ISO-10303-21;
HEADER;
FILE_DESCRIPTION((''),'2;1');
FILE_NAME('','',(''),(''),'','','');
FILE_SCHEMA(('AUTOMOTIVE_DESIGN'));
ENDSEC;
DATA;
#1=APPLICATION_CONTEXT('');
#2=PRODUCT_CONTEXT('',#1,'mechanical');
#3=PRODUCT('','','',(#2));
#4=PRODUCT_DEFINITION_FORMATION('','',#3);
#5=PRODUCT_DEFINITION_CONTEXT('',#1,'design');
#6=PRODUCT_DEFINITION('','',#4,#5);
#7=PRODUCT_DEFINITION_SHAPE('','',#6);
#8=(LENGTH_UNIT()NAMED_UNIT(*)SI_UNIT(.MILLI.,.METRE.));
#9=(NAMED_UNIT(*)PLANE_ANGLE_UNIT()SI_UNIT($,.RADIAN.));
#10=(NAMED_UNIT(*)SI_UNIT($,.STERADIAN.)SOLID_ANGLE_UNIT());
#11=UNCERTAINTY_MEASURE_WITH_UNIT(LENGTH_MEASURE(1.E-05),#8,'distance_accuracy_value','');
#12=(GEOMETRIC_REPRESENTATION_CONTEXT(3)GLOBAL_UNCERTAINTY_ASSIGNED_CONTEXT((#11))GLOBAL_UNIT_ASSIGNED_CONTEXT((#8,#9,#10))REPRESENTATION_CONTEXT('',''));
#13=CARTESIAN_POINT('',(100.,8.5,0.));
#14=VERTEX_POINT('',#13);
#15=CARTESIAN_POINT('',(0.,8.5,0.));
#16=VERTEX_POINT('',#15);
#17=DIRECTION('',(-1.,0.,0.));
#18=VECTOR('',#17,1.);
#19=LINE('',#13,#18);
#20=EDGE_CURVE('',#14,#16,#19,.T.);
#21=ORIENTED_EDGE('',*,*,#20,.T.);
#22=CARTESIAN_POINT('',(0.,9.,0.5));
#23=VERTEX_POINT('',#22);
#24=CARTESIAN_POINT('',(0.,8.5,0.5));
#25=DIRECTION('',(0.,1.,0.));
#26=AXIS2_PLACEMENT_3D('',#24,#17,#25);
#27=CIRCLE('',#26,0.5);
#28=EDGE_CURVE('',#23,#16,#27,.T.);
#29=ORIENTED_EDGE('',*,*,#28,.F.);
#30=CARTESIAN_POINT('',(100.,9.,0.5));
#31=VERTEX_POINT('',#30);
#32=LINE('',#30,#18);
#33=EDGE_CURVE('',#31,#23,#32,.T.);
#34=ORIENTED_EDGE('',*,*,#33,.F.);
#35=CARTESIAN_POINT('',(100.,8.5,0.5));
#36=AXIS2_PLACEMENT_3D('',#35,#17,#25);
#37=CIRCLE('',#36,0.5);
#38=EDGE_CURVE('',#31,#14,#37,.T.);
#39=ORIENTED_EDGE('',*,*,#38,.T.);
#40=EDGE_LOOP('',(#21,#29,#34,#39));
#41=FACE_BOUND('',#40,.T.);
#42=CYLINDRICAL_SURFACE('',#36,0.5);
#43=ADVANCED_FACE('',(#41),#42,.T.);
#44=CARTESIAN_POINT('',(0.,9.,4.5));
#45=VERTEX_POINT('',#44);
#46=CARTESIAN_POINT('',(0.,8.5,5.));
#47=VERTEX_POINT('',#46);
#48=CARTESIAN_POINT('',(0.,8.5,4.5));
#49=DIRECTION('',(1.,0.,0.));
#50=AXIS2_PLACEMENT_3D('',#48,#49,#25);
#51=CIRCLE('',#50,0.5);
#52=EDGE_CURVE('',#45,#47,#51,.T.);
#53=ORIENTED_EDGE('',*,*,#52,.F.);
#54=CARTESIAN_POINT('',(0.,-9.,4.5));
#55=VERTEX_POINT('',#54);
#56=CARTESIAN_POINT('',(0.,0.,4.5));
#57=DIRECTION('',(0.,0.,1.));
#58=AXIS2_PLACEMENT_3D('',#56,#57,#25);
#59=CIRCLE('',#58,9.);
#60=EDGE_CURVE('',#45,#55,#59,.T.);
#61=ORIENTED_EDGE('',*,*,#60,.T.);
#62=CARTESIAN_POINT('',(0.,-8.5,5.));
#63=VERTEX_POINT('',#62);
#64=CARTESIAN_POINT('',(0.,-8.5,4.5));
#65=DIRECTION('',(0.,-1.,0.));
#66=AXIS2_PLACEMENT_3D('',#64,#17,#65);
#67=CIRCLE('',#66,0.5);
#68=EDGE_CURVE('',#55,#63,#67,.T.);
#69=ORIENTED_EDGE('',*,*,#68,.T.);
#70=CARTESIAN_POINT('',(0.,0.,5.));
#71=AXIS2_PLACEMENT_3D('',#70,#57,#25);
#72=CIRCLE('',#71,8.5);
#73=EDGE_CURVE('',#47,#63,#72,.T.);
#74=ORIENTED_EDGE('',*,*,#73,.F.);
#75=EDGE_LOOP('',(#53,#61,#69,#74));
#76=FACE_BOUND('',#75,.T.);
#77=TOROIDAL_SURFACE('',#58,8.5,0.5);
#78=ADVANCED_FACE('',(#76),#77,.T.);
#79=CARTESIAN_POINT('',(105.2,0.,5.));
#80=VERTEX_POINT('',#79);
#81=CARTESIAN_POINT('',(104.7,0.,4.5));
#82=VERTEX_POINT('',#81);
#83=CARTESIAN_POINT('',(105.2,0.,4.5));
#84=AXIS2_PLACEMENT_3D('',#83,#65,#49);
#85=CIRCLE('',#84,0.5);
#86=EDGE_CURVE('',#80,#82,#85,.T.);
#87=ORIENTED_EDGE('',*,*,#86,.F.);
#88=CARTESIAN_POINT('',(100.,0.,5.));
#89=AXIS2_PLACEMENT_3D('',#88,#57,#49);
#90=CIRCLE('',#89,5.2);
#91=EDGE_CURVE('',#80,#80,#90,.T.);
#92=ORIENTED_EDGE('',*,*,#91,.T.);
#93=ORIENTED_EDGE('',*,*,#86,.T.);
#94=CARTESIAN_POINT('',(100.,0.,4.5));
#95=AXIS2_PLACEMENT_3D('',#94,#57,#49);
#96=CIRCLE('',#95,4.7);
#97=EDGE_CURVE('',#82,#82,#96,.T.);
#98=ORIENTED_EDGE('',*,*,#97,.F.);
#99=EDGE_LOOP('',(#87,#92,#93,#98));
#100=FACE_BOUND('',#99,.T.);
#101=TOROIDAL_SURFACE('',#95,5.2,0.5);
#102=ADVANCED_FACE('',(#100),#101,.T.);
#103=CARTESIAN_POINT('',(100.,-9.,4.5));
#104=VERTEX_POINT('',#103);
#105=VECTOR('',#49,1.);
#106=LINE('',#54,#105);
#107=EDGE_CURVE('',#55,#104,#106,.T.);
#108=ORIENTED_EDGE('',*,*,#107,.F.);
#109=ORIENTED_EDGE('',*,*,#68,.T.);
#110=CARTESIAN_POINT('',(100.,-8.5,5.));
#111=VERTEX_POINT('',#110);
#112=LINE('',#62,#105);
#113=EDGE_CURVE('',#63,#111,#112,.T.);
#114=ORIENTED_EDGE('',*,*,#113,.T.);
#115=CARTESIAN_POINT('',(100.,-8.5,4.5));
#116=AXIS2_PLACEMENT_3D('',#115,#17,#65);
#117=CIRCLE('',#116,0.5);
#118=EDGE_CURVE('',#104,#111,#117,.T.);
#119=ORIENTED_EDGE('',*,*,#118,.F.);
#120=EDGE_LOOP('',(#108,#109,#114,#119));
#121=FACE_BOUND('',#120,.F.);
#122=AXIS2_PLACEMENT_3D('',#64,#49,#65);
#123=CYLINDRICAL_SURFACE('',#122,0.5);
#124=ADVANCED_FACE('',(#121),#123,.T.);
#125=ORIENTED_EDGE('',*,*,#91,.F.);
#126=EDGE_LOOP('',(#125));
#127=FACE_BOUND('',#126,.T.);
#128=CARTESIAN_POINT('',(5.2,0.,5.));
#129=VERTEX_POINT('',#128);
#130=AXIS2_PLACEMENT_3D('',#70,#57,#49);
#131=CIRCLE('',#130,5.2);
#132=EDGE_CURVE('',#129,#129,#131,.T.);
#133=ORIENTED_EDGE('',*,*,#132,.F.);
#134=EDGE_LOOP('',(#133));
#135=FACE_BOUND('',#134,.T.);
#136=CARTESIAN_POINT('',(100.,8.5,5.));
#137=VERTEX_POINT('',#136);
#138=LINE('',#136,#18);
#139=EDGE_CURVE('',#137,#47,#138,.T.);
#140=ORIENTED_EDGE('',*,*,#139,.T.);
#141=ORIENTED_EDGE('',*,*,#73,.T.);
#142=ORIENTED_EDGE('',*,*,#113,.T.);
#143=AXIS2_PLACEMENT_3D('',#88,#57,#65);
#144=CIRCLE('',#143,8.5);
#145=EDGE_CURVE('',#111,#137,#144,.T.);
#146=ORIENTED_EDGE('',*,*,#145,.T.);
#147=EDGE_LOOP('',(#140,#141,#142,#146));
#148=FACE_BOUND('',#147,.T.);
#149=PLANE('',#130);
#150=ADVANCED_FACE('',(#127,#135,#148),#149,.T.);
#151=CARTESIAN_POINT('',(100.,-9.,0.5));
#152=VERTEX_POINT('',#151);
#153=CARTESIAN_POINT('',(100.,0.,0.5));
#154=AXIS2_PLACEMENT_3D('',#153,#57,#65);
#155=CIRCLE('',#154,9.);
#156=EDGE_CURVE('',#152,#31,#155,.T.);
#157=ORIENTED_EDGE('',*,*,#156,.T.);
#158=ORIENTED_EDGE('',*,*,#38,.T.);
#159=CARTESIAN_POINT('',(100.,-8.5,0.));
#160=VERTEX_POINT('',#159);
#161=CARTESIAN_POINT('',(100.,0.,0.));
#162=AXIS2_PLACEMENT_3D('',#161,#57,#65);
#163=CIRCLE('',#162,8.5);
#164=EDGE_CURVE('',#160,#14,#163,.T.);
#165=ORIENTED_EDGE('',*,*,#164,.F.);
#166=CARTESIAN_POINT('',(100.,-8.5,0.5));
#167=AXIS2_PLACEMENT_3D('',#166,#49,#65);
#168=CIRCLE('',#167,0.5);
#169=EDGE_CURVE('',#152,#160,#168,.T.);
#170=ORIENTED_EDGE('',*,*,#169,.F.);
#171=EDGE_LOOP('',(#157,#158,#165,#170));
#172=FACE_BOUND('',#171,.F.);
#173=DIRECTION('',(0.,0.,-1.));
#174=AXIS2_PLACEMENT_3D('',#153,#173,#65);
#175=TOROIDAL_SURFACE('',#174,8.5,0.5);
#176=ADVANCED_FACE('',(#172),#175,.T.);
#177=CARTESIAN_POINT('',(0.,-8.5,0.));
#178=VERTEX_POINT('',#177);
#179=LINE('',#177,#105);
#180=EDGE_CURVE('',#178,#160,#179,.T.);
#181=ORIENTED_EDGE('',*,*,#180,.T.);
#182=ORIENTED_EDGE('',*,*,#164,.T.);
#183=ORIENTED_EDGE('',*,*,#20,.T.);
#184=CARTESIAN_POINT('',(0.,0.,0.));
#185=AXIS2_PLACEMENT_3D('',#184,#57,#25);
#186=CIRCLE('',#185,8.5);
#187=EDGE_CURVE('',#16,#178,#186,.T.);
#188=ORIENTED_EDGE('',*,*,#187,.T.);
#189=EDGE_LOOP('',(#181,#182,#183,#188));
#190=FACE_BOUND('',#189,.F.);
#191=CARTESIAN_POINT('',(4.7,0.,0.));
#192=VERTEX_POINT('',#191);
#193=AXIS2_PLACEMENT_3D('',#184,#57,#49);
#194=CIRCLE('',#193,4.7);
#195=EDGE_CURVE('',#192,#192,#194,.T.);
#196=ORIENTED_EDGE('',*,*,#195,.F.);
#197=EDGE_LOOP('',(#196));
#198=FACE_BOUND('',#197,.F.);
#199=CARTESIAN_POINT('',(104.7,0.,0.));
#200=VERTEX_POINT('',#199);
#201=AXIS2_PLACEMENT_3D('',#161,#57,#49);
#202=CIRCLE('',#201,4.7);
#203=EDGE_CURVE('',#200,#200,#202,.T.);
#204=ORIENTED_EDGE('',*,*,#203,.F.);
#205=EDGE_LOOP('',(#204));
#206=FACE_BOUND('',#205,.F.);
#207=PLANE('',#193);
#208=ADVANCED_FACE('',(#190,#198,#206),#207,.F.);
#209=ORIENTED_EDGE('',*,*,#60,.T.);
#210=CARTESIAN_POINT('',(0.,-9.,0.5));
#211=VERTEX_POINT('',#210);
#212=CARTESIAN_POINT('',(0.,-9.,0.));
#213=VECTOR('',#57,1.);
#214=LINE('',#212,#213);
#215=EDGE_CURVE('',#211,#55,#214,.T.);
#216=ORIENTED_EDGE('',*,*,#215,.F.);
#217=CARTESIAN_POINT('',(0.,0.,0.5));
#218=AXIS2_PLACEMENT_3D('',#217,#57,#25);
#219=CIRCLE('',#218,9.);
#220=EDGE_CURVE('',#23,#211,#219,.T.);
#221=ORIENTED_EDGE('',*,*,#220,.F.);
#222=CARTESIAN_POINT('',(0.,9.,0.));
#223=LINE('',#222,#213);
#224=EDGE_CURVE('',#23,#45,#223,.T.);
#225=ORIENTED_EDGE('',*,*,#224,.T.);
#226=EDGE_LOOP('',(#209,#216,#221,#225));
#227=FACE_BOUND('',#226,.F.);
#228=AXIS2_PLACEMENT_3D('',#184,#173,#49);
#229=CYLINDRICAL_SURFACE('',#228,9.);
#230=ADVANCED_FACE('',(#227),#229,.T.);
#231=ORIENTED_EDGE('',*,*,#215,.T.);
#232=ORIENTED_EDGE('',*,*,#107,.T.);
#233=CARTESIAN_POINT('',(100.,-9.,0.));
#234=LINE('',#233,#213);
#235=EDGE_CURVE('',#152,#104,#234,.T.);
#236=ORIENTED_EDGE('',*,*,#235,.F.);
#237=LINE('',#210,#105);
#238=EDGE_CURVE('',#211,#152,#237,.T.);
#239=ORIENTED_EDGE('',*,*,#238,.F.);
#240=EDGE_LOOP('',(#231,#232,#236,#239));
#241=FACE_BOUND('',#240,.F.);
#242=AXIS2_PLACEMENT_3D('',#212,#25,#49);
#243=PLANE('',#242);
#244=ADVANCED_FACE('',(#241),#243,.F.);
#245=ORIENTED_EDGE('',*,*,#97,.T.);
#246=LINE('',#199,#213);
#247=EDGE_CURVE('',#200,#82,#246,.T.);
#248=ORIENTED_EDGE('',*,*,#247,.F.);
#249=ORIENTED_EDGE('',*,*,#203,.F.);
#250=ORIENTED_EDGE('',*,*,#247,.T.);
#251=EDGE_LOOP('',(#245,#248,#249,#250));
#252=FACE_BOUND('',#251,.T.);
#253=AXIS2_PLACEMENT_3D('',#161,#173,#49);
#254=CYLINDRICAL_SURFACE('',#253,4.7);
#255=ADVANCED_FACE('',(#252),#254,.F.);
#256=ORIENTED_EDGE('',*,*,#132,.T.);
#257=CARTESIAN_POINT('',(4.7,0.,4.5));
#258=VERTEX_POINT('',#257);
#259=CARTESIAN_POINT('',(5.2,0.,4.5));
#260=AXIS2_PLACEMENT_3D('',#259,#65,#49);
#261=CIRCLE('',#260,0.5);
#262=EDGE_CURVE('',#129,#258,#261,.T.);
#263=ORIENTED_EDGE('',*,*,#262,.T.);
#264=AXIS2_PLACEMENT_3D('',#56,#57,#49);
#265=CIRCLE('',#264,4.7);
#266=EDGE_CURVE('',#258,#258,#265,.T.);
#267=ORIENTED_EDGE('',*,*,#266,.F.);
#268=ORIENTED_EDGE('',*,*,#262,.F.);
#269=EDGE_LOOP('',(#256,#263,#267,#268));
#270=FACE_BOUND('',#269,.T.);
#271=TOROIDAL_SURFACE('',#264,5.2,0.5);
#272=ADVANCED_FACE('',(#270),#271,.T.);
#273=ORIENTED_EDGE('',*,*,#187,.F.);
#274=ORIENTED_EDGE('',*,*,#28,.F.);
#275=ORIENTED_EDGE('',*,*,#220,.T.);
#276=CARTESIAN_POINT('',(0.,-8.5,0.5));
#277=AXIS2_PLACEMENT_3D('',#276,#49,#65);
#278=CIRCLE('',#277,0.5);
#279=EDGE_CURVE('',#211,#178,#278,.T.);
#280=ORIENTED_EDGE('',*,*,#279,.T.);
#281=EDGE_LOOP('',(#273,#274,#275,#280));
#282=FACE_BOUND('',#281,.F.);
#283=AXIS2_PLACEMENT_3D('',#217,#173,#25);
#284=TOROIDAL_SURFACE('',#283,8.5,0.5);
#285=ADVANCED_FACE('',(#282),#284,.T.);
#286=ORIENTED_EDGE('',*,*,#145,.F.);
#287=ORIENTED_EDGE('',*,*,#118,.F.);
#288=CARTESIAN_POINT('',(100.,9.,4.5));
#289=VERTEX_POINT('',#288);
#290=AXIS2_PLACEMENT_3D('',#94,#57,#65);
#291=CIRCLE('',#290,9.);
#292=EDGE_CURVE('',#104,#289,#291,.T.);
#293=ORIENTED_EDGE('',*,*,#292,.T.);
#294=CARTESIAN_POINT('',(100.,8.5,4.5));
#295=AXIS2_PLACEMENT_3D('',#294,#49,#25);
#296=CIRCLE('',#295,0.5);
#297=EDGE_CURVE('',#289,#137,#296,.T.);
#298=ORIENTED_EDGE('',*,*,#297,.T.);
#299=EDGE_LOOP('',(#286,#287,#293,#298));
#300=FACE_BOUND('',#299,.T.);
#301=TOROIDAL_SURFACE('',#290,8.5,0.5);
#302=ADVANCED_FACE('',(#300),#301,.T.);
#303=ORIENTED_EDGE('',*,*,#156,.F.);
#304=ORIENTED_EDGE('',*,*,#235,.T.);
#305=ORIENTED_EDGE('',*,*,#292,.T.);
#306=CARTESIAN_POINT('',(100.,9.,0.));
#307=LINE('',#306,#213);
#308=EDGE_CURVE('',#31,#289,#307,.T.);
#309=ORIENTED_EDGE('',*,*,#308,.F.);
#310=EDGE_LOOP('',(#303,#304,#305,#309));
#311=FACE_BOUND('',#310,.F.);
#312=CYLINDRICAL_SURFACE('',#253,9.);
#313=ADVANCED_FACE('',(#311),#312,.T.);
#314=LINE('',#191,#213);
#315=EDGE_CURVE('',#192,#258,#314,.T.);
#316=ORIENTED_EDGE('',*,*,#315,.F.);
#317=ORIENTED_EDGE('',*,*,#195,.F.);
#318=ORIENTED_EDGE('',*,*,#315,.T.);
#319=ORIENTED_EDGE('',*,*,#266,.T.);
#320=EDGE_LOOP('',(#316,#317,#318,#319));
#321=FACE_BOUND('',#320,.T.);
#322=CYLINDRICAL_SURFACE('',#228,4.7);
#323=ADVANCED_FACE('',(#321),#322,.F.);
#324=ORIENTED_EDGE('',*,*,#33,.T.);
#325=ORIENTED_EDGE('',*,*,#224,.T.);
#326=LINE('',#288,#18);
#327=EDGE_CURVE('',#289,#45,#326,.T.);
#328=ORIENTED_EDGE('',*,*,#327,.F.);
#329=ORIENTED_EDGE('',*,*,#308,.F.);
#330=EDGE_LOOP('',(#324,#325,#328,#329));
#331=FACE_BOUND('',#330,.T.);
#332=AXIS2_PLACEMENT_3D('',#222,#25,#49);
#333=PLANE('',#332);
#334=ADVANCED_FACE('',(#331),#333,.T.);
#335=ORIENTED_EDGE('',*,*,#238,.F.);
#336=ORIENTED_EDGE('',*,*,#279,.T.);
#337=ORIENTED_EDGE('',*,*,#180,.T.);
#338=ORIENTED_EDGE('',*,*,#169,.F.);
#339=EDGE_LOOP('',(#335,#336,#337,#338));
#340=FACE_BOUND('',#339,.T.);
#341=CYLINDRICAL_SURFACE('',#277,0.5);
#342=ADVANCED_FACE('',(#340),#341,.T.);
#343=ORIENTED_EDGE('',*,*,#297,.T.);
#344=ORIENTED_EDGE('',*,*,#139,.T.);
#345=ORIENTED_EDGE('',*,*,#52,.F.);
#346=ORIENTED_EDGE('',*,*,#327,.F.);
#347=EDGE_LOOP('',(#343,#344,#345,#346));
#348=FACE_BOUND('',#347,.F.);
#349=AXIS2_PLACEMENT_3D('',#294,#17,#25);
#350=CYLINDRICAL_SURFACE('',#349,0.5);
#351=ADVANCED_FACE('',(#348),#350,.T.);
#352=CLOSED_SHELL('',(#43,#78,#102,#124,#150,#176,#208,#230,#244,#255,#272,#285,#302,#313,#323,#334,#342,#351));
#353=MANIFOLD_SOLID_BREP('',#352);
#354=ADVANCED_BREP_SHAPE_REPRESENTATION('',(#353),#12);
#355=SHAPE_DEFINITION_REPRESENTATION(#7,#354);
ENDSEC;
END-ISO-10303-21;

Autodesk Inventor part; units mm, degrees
ref_plane "YZ Plane" through (0, 0, 0) normal (1, 0, 0) x (0, 1, 0)
ref_plane "XZ Plane" through (0, 0, 0) normal (0, 1, 0) x (-1, 0, 0)
ref_plane "XY Plane" through (0, 0, 0) normal (0, 0, 1) x (1, 0, 0)
sketch "Sketch1" plane through (0, 0, 0) normal (0, 0, 1) x (1, 0, 0)
  circle A0 centre (0, 0) radius 4.7
  circle A1 centre (100, 0) radius 4.7
  circle A2 centre (0, 0) radius 9
  circle A3 centre (100, 0) radius 9
  line L0 (0, 9) -> (100, 9)
  line L1 (0, -9) -> (100, -9)
  dimension "d0" = 9.4
  dimension "d2" = 9.4
  dimension "d3" = 18
  dimension "d4" = 18
extrude "Extrusion1" add sketch "Sketch1" along normal blind 5
fillet "Fillet1" radius 0.5 8 edges at (50, -9, 5) (109, 0, 5) (50, 9, 5) (-9, 0, 5) (50, -9, 0) (109, 0, 0) (50, 9, 0) (-9, 0, 0)
fillet "Fillet2" radius 0.5 2 edges at (-4.7, 0, 5) (95.3, 0, 5)
properties part number "Arm Link Cross"
